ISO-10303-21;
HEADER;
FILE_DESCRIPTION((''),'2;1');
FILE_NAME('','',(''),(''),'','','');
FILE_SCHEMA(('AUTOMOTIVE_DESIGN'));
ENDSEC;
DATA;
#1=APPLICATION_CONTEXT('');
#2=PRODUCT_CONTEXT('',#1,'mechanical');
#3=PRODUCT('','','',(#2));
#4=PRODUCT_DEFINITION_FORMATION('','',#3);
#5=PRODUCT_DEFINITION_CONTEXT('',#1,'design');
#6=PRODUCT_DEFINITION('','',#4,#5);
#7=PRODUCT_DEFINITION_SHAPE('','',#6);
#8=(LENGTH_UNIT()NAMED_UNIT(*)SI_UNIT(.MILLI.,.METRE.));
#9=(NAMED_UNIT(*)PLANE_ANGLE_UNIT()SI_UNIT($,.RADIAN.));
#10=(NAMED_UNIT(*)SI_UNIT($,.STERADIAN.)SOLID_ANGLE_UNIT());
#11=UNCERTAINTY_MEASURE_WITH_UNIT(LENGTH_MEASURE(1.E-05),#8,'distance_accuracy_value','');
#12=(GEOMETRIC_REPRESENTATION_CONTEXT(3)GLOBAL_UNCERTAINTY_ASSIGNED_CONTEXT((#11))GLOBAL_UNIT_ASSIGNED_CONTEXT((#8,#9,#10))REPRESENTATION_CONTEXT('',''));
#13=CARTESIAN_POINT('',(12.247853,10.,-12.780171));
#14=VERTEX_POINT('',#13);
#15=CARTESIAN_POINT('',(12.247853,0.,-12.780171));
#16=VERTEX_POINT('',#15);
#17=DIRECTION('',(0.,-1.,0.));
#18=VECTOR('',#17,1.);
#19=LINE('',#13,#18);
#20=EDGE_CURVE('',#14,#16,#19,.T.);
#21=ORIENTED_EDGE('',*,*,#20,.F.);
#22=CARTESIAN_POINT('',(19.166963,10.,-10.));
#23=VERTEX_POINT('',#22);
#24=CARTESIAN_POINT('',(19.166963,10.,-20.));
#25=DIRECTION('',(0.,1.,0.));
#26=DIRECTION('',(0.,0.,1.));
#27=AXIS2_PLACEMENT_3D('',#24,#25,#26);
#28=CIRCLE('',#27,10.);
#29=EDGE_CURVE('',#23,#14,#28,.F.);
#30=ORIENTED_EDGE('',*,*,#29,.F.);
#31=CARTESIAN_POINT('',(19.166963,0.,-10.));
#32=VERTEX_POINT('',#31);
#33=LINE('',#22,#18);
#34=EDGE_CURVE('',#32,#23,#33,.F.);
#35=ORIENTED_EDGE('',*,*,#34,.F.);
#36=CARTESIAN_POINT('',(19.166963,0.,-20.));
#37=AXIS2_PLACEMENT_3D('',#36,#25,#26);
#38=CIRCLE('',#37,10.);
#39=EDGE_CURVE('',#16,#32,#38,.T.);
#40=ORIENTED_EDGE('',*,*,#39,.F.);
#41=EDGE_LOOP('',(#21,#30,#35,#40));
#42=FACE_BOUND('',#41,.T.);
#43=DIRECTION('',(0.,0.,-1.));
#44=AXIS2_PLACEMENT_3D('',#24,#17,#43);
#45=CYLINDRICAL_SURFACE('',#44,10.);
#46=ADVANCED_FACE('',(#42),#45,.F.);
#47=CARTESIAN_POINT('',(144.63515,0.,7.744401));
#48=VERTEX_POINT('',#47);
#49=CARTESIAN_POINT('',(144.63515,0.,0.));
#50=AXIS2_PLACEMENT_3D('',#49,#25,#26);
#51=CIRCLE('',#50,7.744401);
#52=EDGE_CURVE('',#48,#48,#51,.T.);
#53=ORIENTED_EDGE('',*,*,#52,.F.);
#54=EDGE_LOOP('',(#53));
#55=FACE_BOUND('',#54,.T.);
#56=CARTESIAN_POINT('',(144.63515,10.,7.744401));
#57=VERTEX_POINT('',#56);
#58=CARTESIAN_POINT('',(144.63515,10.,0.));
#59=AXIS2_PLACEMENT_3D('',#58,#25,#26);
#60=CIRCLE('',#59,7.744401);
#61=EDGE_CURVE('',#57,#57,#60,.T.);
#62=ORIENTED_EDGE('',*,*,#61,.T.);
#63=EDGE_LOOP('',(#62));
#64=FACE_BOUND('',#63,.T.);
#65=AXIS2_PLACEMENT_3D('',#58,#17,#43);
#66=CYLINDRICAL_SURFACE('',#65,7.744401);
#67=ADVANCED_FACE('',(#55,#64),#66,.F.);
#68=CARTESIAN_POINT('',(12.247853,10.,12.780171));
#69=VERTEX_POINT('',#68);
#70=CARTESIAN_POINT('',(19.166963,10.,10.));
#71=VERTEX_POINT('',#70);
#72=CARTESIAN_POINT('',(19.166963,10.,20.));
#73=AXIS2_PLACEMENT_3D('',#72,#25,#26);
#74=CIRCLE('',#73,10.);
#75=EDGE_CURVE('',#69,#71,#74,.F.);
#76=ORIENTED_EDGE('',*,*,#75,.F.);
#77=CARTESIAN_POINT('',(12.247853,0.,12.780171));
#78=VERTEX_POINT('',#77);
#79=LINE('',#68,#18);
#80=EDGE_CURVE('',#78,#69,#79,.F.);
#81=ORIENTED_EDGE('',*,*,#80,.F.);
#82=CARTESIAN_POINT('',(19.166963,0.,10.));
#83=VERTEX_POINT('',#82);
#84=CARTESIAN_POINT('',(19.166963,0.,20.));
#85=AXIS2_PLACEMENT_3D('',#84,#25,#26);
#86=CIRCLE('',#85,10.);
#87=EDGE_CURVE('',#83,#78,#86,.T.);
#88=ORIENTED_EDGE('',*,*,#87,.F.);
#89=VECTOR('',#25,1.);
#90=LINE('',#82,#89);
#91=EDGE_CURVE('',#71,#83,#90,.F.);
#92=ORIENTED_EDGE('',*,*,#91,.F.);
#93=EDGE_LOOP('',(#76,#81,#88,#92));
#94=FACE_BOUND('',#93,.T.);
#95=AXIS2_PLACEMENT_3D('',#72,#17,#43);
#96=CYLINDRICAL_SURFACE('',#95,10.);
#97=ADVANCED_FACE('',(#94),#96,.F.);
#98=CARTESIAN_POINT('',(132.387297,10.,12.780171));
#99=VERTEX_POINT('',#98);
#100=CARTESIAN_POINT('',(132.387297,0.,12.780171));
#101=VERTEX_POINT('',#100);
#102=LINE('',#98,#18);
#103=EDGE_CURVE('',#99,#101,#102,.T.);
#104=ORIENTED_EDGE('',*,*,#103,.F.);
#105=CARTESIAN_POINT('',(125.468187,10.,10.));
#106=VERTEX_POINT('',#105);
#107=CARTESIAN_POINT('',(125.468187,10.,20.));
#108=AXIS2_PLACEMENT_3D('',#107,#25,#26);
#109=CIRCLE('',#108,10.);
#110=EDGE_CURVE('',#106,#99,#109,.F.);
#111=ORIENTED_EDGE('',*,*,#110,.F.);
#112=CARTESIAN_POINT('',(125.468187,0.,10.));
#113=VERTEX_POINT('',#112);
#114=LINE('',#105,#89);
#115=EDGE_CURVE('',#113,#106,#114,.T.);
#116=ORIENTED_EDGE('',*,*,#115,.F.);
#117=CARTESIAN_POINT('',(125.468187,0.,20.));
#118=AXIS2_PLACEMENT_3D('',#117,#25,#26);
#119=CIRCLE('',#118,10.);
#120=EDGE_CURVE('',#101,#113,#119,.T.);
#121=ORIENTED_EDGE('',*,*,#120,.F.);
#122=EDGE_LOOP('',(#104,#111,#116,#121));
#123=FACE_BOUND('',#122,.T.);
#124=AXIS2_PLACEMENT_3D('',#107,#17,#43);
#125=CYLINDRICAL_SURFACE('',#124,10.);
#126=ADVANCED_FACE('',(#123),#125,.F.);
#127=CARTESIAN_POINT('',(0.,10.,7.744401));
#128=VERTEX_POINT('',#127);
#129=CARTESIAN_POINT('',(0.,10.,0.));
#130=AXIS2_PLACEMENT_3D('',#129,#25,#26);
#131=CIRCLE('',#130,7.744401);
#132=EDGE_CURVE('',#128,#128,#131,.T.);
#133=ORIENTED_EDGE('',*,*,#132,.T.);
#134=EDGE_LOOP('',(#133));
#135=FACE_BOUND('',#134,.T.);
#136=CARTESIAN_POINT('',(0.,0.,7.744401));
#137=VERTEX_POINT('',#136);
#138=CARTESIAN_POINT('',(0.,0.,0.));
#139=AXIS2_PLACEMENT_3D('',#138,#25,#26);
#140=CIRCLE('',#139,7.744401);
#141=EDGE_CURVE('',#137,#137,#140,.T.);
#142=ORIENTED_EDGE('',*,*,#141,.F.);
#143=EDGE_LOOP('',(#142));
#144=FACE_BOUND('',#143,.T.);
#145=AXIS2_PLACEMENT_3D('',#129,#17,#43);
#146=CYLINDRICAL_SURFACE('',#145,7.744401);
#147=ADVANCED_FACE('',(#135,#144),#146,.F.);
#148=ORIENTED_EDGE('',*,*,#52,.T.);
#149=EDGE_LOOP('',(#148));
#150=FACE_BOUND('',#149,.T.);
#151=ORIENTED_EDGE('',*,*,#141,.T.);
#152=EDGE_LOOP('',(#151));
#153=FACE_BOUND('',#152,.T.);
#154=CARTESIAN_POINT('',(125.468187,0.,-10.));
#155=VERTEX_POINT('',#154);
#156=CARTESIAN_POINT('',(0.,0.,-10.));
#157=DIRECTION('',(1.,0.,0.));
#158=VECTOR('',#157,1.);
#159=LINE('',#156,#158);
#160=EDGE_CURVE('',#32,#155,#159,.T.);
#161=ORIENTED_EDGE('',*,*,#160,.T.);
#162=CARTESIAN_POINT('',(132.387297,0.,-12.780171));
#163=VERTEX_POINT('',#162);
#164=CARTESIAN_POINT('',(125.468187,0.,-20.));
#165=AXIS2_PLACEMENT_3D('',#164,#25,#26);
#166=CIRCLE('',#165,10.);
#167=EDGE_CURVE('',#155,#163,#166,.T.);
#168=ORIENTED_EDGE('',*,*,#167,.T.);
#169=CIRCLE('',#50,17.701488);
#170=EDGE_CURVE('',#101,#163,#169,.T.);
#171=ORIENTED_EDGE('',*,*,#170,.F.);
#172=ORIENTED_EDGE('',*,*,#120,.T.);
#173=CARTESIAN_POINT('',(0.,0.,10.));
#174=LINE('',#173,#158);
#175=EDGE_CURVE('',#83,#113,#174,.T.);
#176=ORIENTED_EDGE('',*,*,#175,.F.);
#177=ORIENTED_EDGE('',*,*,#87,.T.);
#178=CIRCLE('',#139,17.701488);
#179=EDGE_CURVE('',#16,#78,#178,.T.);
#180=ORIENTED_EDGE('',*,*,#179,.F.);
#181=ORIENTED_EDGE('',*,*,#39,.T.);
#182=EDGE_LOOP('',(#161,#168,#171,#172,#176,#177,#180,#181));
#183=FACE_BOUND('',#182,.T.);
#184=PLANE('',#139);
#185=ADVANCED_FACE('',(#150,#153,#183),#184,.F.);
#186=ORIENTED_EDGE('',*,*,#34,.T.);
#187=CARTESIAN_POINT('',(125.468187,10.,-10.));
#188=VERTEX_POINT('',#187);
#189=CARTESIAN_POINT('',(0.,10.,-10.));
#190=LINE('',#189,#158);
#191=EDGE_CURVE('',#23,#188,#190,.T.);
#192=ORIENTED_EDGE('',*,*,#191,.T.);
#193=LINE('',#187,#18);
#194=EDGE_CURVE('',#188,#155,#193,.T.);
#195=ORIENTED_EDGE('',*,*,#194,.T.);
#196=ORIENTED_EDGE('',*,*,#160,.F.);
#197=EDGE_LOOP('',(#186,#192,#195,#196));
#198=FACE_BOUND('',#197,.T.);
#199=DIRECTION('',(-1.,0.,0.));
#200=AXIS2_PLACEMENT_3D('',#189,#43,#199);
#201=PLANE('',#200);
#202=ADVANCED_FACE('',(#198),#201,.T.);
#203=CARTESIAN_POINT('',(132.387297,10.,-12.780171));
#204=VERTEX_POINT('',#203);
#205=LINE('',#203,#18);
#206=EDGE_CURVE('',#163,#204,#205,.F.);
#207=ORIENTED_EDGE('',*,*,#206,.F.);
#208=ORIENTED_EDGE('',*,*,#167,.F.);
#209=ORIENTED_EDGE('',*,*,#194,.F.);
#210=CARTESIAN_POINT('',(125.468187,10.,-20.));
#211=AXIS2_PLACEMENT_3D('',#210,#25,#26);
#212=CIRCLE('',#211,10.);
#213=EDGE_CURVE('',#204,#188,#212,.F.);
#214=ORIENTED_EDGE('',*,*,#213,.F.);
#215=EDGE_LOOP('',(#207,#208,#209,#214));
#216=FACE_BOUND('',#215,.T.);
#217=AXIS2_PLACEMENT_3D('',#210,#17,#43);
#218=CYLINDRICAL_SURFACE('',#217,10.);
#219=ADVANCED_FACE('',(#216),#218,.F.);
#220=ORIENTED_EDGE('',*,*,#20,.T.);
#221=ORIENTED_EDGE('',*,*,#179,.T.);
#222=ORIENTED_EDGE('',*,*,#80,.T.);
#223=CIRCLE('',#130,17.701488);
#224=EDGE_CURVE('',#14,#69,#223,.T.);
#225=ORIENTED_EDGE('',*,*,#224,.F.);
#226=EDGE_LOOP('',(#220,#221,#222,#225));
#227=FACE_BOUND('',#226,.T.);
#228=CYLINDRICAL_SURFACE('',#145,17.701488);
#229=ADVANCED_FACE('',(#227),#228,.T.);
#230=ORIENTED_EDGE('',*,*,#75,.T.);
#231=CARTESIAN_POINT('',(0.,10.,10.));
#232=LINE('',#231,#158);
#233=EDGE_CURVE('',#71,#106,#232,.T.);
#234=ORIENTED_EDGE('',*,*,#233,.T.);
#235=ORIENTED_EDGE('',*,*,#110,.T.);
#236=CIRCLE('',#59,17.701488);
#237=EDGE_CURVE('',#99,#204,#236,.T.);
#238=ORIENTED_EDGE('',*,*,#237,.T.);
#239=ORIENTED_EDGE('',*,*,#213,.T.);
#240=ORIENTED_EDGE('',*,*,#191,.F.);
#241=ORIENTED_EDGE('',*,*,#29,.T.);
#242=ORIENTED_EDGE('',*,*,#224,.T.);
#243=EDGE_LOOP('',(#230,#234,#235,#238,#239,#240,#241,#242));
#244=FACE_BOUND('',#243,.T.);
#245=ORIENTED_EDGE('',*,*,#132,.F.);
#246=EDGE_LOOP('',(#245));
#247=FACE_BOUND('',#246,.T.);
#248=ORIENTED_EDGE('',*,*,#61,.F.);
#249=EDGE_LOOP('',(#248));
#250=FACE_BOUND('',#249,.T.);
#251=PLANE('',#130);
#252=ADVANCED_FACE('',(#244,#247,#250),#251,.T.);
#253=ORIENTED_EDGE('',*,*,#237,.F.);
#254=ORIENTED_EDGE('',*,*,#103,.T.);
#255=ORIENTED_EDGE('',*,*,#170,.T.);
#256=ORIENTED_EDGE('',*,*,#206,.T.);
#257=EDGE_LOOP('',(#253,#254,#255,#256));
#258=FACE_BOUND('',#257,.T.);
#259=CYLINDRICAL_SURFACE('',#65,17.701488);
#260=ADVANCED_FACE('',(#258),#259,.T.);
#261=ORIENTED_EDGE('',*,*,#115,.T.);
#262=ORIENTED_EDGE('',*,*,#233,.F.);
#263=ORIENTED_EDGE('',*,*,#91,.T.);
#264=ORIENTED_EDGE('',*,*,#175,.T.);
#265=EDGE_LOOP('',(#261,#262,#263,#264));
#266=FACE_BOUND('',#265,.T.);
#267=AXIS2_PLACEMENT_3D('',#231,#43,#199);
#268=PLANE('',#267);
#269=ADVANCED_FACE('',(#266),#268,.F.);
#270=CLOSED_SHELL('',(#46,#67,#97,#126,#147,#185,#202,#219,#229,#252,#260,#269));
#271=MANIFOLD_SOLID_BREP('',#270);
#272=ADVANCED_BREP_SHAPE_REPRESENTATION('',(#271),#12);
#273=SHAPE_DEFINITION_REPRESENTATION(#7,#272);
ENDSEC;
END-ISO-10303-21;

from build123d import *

# Parameters (mm, degrees)
SKETCH_1_R      = 7.744401216
EXTRUDE_1_DEPTH = 10
FILLET_1_R      = 10


with BuildPart() as part:
    # 草图1 → 凸台-拉伸1 (new body)
    with BuildSketch(Plane(origin=(0, 0, 0), x_dir=(1, 0, 0), z_dir=(0, 1, 0))):
        with BuildLine():
            ThreePointArc((14.606255334, 10), (-17.701488493, 0), (14.606255334, -10))
            Line((14.606255334, -10), (130.028894825, -10))
            ThreePointArc((130.028894825, -10), (162.336638652, 0), (130.028894825, 10))
            Line((130.028894825, 10), (14.606255334, 10))
        make_face()
        with Locations(Location((0, 0, 0), (0, 0, 270))):
            Circle(SKETCH_1_R, mode=Mode.SUBTRACT)
        with Locations(Location((144.635150159, 0, 0), (0, 0, 270))):
            Circle(SKETCH_1_R, mode=Mode.SUBTRACT)
    extrude(amount=EXTRUDE_1_DEPTH)

    # 圆角1
    fillet_1_edges = [part.edges().sort_by_distance(p)[0] for p in [
        (130.028894825, 5, -10),
        (130.028894825, 5, 10),
        (14.606255334, 5, 10),
        (14.606255334, 5, -10),
    ]]
    fillet(fillet_1_edges, radius=FILLET_1_R)


solid = part.part
